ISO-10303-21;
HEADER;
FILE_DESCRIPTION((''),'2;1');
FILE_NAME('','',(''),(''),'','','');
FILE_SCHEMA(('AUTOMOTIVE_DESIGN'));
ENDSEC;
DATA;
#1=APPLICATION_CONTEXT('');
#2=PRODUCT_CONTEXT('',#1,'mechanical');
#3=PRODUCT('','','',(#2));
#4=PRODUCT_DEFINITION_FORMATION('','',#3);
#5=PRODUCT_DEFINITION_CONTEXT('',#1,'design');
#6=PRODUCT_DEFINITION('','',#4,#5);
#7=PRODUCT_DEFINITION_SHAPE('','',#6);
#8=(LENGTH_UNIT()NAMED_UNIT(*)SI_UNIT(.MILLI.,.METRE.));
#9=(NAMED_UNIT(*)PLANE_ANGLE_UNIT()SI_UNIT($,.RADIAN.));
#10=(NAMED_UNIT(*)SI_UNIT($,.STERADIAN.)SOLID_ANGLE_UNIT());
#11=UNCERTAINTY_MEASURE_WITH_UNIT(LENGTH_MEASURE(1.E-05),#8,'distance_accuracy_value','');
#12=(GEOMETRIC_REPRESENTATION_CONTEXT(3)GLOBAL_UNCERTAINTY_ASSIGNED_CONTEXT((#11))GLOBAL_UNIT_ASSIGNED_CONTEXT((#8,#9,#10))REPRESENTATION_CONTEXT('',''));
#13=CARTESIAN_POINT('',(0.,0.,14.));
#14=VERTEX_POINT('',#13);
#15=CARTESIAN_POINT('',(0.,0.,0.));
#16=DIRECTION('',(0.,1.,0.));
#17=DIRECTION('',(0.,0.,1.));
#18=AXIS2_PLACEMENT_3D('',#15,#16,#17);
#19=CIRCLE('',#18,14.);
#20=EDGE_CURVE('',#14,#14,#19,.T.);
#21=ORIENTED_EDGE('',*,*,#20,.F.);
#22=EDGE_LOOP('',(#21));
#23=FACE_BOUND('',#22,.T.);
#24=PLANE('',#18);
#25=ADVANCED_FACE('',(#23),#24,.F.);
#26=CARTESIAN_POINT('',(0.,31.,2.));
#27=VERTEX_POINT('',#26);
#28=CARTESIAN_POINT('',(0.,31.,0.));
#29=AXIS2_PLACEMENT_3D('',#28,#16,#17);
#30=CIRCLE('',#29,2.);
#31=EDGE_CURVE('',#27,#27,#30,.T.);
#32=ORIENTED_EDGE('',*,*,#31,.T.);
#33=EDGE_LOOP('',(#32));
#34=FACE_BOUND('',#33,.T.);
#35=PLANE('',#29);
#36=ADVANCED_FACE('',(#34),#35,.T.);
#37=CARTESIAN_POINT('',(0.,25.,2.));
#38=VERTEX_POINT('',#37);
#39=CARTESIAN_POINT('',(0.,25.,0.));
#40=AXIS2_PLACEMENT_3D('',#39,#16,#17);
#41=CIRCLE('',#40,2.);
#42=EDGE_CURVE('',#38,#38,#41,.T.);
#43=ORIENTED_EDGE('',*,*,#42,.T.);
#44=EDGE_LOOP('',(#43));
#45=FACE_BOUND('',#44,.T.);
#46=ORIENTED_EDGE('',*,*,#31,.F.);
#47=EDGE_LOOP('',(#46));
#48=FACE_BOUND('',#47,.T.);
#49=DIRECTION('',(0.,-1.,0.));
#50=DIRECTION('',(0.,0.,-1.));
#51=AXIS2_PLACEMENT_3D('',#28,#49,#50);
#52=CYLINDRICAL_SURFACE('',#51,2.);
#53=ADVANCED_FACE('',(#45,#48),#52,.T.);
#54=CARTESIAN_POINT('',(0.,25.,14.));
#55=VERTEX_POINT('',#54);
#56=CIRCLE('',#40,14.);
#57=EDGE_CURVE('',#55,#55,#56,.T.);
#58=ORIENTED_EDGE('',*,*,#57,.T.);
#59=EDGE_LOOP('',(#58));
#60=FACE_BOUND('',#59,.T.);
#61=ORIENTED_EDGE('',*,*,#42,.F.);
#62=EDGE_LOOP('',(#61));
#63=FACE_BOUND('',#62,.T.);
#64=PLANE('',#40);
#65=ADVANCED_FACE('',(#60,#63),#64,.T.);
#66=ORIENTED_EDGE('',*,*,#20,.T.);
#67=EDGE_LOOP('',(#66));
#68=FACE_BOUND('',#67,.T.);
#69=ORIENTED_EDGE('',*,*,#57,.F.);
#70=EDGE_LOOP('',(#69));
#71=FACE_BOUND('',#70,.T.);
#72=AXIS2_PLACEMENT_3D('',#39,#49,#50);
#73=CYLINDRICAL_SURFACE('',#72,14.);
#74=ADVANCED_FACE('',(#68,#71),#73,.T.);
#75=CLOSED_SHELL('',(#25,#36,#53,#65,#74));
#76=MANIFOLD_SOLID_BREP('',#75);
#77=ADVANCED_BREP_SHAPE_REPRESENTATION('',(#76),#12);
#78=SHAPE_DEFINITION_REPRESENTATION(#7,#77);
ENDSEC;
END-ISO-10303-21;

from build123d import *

# Parameters (mm, degrees)
SKETCH1_R           = 14
BOSS_EXTRUDE1_DEPTH = 25
SKETCH2_R           = 2
BOSS_EXTRUDE2_DEPTH = 6


with BuildPart() as part:
    # Sketch1 → Boss-Extrude1 (new body)
    with BuildSketch(Plane(origin=(0, 0, 0), x_dir=(1, 0, 0), z_dir=(0, 1, 0))):
        Circle(SKETCH1_R)
    extrude(amount=BOSS_EXTRUDE1_DEPTH)

    # Sketch2 → Boss-Extrude2 (add)
    with BuildSketch(Plane(origin=(0, 25, 0), x_dir=(1, 0, 0), z_dir=(0, 1, 0))):
        Circle(SKETCH2_R)
    extrude(amount=BOSS_EXTRUDE2_DEPTH)


solid = part.part
